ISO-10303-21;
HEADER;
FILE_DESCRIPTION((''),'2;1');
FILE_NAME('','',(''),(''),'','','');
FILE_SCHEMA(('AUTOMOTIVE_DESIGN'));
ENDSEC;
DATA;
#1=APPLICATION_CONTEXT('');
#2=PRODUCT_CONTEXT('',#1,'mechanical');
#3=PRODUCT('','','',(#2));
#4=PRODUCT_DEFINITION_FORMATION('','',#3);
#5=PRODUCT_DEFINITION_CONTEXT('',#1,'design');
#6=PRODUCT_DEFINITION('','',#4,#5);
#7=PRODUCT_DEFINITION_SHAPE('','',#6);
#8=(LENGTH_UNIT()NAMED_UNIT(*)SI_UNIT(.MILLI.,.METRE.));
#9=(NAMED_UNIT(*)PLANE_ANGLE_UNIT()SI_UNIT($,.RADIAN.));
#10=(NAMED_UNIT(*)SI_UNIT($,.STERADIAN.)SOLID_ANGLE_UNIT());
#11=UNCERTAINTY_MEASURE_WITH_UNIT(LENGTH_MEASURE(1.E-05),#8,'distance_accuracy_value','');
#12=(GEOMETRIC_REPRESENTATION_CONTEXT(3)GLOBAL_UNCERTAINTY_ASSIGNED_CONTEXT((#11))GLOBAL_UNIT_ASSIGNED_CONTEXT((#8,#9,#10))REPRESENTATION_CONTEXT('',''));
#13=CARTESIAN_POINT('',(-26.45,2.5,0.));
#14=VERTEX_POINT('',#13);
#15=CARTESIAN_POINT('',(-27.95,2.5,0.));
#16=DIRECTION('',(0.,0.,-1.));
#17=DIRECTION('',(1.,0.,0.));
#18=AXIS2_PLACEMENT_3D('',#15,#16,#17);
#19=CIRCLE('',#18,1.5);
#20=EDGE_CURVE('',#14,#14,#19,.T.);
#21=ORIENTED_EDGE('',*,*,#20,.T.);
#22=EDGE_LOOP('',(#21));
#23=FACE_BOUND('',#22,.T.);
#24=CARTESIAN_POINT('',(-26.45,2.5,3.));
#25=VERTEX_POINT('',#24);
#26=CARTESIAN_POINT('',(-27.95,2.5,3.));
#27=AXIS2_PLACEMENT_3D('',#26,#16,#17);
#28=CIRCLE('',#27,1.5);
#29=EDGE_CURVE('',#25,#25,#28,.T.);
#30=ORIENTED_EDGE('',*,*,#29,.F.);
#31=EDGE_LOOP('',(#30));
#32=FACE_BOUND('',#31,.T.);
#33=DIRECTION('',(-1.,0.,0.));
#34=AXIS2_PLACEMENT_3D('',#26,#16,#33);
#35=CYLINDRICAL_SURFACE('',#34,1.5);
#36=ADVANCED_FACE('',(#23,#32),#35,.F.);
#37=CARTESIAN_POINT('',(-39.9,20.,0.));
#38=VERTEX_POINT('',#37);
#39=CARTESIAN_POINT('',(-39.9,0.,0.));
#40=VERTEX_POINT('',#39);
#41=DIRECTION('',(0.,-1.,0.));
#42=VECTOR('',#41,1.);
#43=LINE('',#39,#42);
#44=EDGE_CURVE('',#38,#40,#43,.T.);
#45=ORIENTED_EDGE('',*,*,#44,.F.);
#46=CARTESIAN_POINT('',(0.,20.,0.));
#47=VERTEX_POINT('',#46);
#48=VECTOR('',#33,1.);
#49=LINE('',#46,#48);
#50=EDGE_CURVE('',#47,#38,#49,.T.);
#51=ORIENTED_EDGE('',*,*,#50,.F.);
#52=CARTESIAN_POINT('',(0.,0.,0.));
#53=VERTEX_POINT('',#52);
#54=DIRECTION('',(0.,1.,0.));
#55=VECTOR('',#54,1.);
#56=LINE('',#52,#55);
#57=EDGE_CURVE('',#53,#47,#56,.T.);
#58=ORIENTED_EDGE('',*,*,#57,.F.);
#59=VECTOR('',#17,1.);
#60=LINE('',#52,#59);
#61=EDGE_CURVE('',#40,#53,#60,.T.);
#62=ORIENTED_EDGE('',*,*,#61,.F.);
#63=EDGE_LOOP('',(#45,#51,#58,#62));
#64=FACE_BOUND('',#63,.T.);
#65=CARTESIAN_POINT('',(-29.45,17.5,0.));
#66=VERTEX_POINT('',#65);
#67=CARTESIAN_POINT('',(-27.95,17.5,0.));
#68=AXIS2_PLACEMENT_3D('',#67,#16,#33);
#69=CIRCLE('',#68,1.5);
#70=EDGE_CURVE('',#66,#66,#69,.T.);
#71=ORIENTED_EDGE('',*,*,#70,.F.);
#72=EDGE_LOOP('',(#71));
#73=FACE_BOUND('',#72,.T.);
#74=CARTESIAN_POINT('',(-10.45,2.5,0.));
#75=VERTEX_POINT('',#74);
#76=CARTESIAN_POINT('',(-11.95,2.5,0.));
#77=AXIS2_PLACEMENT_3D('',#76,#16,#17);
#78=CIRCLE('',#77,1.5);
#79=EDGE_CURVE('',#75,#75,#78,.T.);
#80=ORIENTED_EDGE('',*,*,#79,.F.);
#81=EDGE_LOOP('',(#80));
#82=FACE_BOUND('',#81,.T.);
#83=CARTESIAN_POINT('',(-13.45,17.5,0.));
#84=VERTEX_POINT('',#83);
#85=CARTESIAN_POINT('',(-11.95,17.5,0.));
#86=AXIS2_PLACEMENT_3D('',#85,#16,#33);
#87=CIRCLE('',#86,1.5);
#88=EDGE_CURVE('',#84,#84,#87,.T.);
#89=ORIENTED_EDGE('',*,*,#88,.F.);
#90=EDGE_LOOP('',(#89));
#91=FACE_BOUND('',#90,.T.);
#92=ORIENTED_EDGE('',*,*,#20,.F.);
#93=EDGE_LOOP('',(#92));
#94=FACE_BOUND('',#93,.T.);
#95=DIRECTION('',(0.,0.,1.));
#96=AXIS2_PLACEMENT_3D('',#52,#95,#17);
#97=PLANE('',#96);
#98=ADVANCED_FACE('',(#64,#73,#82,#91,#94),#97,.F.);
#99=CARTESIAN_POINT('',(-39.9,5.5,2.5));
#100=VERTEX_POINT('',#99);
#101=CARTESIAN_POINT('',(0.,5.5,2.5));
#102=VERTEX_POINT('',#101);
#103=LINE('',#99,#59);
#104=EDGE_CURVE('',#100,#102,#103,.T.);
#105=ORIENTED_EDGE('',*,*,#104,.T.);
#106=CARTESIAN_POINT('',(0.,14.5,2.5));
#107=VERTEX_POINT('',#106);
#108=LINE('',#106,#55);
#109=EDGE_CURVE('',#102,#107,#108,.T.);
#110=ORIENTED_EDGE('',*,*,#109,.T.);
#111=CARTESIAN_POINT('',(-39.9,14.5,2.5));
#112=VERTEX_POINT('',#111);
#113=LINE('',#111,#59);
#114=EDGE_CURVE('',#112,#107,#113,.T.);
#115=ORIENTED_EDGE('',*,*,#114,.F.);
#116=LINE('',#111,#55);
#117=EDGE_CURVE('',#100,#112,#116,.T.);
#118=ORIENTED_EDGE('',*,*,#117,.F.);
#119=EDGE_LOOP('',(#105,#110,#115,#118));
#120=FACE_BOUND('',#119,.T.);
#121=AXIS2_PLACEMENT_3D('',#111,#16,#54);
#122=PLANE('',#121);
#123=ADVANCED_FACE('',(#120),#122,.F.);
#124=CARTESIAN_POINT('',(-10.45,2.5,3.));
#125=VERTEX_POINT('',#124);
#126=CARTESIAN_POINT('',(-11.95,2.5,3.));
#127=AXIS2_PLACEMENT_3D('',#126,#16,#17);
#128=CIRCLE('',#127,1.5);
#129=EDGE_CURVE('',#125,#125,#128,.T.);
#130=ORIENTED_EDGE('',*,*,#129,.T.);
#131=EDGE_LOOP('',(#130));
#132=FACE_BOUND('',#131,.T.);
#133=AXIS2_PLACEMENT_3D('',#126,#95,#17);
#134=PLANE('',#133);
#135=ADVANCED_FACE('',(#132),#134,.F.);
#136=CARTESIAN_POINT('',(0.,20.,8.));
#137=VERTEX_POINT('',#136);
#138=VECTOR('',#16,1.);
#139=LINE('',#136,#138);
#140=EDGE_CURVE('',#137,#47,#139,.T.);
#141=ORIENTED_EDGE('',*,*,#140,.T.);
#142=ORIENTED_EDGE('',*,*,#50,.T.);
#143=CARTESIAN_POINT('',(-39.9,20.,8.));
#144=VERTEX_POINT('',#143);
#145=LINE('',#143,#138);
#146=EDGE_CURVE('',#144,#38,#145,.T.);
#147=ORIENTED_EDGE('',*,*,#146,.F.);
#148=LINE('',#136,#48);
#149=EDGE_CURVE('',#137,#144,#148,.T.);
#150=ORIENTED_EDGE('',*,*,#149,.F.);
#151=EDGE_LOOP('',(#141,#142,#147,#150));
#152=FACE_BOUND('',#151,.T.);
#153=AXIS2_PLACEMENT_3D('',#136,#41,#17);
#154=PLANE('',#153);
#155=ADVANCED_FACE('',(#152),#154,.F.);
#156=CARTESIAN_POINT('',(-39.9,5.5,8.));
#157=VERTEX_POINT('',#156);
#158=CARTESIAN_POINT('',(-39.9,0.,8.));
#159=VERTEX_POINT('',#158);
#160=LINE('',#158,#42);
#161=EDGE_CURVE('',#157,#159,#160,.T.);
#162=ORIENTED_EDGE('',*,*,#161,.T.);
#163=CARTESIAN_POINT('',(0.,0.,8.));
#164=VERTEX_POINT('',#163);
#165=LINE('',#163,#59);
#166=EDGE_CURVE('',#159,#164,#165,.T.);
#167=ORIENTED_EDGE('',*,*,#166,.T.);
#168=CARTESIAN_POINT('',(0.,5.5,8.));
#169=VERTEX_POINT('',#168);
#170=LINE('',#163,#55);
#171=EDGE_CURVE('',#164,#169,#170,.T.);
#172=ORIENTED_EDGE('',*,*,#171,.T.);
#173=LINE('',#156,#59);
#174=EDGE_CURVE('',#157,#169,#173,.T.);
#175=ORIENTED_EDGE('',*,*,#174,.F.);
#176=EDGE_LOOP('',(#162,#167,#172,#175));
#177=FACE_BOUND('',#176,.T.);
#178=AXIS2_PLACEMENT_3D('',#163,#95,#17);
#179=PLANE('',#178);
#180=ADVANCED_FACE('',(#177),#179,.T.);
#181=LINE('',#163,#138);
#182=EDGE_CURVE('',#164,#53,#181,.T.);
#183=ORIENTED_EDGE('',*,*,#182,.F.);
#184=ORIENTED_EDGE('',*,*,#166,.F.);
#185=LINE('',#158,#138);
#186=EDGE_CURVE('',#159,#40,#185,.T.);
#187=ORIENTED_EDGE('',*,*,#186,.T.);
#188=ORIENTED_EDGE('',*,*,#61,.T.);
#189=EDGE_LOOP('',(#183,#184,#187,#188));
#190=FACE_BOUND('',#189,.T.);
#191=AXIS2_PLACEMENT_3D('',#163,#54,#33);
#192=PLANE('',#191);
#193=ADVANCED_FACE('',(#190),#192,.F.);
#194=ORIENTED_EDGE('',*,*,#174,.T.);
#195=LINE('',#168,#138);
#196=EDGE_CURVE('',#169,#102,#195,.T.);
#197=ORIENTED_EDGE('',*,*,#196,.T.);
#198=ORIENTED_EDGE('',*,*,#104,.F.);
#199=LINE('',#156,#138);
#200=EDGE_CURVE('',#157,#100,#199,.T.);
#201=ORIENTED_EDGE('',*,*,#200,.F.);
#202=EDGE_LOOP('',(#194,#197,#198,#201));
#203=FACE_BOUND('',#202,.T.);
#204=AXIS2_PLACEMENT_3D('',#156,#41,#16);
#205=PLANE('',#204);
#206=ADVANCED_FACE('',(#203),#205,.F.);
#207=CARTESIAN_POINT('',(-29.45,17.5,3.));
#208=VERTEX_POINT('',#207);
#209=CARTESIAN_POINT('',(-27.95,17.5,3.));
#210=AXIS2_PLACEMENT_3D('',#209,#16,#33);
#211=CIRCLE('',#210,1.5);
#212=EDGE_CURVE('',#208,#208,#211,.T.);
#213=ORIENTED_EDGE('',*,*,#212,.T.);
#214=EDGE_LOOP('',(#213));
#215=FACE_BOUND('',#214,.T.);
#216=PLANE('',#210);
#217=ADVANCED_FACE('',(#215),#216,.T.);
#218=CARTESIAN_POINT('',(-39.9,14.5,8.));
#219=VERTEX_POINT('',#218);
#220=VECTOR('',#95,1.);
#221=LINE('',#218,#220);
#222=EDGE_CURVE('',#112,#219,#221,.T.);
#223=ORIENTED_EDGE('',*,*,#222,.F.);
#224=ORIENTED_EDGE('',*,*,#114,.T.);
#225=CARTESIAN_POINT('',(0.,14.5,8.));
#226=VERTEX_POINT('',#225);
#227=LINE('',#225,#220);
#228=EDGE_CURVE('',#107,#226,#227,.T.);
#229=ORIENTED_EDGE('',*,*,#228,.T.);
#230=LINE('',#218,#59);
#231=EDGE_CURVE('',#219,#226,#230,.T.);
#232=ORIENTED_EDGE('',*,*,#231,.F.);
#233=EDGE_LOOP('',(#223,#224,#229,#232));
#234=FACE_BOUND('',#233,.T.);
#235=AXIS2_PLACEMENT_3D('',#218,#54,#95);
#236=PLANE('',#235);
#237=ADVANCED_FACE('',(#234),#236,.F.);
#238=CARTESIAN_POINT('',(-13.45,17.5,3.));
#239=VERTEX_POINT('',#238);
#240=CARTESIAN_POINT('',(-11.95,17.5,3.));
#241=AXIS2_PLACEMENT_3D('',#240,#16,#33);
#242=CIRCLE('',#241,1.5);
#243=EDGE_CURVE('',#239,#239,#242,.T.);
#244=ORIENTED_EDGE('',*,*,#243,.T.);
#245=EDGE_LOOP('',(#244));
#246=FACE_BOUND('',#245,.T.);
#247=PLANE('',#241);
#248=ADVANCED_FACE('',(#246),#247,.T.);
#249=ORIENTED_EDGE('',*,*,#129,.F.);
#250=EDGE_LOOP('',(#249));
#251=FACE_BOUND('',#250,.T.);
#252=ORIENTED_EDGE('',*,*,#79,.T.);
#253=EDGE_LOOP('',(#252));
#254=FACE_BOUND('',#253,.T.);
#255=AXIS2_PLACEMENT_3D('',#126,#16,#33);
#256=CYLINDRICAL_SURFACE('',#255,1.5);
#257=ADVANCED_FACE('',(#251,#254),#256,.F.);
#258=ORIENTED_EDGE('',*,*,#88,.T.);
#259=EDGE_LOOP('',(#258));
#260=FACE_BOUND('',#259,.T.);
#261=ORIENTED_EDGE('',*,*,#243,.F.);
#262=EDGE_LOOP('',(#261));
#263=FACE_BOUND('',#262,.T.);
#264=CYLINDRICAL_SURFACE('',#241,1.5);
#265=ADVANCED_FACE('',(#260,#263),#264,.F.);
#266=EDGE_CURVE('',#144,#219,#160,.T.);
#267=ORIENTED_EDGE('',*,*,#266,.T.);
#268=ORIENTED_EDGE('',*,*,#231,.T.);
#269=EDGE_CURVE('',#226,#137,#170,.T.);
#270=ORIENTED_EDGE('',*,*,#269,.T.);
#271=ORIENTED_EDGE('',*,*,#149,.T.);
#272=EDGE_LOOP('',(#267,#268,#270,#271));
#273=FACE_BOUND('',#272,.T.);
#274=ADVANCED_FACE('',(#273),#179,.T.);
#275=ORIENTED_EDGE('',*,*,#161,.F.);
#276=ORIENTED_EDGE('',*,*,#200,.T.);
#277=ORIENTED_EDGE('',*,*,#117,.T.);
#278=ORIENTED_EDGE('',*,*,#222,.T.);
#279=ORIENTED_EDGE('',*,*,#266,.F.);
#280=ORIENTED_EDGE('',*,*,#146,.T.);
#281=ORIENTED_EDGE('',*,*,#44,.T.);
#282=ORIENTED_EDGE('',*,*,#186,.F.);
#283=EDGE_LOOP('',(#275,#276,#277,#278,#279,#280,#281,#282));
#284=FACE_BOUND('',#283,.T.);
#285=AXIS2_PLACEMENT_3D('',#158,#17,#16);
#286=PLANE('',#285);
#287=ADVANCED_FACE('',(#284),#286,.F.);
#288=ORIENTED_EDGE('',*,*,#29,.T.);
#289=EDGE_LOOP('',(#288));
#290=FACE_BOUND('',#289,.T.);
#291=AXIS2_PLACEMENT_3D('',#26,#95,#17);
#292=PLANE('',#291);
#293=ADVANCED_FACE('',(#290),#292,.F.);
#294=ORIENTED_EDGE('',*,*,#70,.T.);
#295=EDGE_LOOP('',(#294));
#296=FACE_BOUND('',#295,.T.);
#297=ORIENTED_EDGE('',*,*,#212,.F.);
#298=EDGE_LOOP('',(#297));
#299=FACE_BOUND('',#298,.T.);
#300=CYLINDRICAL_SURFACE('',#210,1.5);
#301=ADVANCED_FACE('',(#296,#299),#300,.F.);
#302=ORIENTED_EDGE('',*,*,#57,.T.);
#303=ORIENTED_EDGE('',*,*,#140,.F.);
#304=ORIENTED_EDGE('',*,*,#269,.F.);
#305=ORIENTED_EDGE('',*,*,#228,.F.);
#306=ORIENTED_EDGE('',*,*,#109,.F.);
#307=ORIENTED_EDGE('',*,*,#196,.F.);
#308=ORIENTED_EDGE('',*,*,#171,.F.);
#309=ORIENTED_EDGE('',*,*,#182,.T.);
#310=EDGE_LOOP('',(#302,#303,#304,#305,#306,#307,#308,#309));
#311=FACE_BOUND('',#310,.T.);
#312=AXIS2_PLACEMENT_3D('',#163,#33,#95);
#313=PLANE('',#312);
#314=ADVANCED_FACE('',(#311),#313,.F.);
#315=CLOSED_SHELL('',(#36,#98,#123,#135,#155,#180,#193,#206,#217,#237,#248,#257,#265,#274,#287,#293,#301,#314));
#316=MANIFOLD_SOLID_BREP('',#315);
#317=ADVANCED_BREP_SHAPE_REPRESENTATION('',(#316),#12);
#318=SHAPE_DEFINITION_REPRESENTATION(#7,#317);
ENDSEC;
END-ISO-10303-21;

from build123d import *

# Parameters (mm, degrees)
SKETCH_1_W          = 39.9
SKETCH_1_H          = 20
EXTRUDE_1_DEPTH     = 8
SKETCH_2_R          = 1.5
CUT_EXTRUDE_1_DEPTH = 3
SKETCH_3_W          = 5.5
SKETCH_3_H          = 9
CUT_EXTRUDE_2_DEPTH = 46.343246465


with BuildPart() as part:
    # 草图1 → 凸台-拉伸1 (new body)
    with BuildSketch(Plane.XY):
        with Locations((-19.95, 10)):
            Rectangle(SKETCH_1_W, SKETCH_1_H)
    extrude(amount=EXTRUDE_1_DEPTH)

    # 草图2 → 切除-拉伸1 (cut)
    with BuildSketch(Plane(origin=(0, 0, 0), x_dir=(-1, 0, 0), z_dir=(0, 0, -1))):
        with Locations((11.95, 17.5)):
            Circle(SKETCH_2_R)
        with Locations((27.95, 17.5)):
            Circle(SKETCH_2_R)
        with Locations(Location((27.95, 2.5, 0), (0, 0, 180))):
            Circle(SKETCH_2_R)
        with Locations(Location((11.95, 2.5, 0), (0, 0, 180))):
            Circle(SKETCH_2_R)
    extrude(amount=-CUT_EXTRUDE_1_DEPTH, mode=Mode.SUBTRACT)

    # 草图3 → 切除-拉伸2 (cut, through all)
    with BuildSketch(Plane(origin=(0, 0, 0), x_dir=(0, 0, -1), z_dir=(1, 0, 0))):
        with Locations((-5.25, 10)):
            Rectangle(SKETCH_3_W, SKETCH_3_H)
    extrude(amount=-CUT_EXTRUDE_2_DEPTH, mode=Mode.SUBTRACT)


solid = part.part
